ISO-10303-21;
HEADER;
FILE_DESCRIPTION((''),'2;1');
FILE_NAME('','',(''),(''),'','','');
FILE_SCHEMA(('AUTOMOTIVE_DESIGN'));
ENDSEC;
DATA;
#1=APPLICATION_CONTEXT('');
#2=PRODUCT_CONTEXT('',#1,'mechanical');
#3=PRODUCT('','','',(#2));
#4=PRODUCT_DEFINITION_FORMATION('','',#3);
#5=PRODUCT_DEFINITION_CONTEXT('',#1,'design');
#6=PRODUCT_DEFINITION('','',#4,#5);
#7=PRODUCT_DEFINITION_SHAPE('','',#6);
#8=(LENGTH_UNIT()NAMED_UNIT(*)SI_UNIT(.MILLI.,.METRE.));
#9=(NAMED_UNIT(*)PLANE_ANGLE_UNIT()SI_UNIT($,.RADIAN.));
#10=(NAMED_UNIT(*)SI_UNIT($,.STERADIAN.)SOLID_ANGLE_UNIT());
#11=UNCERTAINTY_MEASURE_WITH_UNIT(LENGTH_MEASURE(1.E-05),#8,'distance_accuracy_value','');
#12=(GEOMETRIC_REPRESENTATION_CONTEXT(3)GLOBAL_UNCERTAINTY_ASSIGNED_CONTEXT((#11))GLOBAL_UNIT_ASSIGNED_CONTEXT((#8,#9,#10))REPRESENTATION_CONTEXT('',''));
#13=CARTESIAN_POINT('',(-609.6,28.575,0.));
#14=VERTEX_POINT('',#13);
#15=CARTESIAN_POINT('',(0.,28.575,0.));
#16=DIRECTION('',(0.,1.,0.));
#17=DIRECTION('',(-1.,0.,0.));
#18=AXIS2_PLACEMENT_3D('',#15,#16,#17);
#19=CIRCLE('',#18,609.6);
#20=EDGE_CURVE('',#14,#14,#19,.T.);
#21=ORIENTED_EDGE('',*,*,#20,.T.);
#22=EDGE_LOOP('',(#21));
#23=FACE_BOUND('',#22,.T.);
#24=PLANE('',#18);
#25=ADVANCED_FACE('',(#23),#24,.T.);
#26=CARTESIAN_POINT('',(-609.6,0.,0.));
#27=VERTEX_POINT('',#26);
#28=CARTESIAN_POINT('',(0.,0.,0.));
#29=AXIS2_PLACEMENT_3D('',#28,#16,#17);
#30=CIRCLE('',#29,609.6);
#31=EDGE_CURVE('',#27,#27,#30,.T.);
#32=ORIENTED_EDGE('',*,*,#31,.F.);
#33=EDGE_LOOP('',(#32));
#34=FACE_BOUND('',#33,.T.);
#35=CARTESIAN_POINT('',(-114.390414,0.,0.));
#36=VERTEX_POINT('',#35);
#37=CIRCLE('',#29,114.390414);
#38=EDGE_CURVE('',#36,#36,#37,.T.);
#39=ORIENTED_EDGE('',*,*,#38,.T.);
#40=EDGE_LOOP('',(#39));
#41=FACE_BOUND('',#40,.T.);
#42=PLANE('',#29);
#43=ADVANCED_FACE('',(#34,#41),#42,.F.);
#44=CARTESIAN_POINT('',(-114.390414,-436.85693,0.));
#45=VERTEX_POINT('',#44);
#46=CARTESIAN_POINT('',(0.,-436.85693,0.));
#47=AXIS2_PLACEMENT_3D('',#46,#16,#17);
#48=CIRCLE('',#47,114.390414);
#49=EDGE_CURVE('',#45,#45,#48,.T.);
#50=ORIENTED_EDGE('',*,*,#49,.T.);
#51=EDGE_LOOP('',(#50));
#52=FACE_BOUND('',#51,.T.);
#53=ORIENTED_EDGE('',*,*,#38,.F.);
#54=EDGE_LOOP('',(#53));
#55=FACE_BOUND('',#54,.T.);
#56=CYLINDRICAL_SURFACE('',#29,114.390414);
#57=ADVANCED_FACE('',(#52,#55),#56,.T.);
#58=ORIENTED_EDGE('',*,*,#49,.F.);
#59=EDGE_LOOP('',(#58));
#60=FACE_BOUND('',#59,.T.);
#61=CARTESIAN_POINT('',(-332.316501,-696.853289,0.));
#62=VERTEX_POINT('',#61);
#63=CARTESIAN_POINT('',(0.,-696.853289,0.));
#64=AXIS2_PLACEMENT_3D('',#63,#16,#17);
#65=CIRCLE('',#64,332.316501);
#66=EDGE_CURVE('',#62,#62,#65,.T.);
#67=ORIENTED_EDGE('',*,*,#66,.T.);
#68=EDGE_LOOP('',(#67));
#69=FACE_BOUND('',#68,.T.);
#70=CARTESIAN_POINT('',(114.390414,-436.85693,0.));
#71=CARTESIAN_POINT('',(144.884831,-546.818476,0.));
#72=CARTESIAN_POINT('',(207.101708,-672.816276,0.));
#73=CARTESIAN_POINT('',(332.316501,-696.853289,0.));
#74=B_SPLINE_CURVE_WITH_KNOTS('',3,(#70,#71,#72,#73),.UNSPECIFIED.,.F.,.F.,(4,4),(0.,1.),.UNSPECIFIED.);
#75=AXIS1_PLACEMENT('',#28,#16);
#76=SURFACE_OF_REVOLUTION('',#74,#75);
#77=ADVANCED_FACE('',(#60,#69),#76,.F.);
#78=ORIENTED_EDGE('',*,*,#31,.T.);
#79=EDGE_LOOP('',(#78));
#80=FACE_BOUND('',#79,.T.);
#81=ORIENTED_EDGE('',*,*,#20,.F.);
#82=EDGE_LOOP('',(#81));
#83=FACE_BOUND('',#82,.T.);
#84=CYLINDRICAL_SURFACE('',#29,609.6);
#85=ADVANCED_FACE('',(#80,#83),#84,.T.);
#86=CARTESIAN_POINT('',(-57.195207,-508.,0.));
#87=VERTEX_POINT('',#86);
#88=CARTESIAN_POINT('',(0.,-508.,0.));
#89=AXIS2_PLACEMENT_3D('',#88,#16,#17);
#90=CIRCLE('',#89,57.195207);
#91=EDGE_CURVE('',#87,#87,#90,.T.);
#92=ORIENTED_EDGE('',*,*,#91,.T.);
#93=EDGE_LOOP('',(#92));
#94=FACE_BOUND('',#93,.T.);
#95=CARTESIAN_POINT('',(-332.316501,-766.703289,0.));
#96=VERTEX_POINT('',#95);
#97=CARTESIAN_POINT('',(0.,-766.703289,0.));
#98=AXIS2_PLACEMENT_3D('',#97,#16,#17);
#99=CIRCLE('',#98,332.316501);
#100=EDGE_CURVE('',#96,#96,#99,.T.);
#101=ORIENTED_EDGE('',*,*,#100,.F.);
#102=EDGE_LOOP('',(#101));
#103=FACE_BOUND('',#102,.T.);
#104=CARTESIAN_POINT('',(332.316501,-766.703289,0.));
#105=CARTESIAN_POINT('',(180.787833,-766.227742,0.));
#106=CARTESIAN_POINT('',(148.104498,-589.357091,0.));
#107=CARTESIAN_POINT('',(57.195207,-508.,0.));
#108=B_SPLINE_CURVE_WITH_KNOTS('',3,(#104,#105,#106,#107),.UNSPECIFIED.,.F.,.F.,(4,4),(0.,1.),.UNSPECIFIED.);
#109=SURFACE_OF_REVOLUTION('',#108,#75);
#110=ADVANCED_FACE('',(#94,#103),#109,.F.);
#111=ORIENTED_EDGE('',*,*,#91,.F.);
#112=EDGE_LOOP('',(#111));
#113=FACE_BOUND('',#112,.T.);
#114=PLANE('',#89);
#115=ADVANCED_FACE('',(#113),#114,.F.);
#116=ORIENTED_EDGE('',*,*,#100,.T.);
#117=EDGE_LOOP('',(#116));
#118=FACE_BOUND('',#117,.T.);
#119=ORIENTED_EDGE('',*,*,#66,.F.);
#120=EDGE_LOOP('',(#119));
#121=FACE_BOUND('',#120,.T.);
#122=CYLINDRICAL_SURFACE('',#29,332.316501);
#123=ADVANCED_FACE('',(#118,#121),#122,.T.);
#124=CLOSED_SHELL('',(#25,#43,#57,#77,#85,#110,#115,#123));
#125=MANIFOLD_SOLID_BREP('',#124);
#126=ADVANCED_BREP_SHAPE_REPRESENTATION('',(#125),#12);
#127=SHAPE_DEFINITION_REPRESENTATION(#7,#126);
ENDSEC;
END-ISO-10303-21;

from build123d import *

# Parameters (mm, degrees)
SKETCH2_W = 609.6
SKETCH2_H = 28.575


with BuildPart() as part:
    # Sketch2 → Revolve1 (revolve)
    with BuildSketch(Plane.XY, mode=Mode.PRIVATE) as revolve1_sk:
        Polygon((114.390414377, 0), (0, 0), (0, -508), (57.195207189, -508), (114.390414377, -508), (114.390414377, -436.856929751), align=None)
        with Locations((304.8, 14.2875)):
            Rectangle(SKETCH2_W, SKETCH2_H)
        with BuildLine():
            add(Edge.make_bspline(
                [(114.390414377, -436.856929751), (144.884830942, -546.818476347), (207.101707678, -672.816275805), (332.316500716, -696.853289197)],
                knots=[0, 0, 0, 0, 1, 1, 1, 1], degree=3))
            Line((114.390414377, -436.856929751), (114.390414377, -508))
            Line((114.390414377, -508), (57.195207189, -508))
            add(Edge.make_bspline(
                [(332.316500716, -766.703289197), (180.787832632, -766.227742439), (148.104498186, -589.357090779), (57.195207189, -508)],
                knots=[0, 0, 0, 0, 1, 1, 1, 1], degree=3))
            Line((332.316500716, -766.703289197), (332.316500716, -696.853289197))
        make_face()
    revolve(revolve1_sk.sketch.rotate(Axis((0, 0, 0), (0, -1, 0)), 180), axis=Axis((0, 0, 0), (0, -1, 0)))


solid = part.part
